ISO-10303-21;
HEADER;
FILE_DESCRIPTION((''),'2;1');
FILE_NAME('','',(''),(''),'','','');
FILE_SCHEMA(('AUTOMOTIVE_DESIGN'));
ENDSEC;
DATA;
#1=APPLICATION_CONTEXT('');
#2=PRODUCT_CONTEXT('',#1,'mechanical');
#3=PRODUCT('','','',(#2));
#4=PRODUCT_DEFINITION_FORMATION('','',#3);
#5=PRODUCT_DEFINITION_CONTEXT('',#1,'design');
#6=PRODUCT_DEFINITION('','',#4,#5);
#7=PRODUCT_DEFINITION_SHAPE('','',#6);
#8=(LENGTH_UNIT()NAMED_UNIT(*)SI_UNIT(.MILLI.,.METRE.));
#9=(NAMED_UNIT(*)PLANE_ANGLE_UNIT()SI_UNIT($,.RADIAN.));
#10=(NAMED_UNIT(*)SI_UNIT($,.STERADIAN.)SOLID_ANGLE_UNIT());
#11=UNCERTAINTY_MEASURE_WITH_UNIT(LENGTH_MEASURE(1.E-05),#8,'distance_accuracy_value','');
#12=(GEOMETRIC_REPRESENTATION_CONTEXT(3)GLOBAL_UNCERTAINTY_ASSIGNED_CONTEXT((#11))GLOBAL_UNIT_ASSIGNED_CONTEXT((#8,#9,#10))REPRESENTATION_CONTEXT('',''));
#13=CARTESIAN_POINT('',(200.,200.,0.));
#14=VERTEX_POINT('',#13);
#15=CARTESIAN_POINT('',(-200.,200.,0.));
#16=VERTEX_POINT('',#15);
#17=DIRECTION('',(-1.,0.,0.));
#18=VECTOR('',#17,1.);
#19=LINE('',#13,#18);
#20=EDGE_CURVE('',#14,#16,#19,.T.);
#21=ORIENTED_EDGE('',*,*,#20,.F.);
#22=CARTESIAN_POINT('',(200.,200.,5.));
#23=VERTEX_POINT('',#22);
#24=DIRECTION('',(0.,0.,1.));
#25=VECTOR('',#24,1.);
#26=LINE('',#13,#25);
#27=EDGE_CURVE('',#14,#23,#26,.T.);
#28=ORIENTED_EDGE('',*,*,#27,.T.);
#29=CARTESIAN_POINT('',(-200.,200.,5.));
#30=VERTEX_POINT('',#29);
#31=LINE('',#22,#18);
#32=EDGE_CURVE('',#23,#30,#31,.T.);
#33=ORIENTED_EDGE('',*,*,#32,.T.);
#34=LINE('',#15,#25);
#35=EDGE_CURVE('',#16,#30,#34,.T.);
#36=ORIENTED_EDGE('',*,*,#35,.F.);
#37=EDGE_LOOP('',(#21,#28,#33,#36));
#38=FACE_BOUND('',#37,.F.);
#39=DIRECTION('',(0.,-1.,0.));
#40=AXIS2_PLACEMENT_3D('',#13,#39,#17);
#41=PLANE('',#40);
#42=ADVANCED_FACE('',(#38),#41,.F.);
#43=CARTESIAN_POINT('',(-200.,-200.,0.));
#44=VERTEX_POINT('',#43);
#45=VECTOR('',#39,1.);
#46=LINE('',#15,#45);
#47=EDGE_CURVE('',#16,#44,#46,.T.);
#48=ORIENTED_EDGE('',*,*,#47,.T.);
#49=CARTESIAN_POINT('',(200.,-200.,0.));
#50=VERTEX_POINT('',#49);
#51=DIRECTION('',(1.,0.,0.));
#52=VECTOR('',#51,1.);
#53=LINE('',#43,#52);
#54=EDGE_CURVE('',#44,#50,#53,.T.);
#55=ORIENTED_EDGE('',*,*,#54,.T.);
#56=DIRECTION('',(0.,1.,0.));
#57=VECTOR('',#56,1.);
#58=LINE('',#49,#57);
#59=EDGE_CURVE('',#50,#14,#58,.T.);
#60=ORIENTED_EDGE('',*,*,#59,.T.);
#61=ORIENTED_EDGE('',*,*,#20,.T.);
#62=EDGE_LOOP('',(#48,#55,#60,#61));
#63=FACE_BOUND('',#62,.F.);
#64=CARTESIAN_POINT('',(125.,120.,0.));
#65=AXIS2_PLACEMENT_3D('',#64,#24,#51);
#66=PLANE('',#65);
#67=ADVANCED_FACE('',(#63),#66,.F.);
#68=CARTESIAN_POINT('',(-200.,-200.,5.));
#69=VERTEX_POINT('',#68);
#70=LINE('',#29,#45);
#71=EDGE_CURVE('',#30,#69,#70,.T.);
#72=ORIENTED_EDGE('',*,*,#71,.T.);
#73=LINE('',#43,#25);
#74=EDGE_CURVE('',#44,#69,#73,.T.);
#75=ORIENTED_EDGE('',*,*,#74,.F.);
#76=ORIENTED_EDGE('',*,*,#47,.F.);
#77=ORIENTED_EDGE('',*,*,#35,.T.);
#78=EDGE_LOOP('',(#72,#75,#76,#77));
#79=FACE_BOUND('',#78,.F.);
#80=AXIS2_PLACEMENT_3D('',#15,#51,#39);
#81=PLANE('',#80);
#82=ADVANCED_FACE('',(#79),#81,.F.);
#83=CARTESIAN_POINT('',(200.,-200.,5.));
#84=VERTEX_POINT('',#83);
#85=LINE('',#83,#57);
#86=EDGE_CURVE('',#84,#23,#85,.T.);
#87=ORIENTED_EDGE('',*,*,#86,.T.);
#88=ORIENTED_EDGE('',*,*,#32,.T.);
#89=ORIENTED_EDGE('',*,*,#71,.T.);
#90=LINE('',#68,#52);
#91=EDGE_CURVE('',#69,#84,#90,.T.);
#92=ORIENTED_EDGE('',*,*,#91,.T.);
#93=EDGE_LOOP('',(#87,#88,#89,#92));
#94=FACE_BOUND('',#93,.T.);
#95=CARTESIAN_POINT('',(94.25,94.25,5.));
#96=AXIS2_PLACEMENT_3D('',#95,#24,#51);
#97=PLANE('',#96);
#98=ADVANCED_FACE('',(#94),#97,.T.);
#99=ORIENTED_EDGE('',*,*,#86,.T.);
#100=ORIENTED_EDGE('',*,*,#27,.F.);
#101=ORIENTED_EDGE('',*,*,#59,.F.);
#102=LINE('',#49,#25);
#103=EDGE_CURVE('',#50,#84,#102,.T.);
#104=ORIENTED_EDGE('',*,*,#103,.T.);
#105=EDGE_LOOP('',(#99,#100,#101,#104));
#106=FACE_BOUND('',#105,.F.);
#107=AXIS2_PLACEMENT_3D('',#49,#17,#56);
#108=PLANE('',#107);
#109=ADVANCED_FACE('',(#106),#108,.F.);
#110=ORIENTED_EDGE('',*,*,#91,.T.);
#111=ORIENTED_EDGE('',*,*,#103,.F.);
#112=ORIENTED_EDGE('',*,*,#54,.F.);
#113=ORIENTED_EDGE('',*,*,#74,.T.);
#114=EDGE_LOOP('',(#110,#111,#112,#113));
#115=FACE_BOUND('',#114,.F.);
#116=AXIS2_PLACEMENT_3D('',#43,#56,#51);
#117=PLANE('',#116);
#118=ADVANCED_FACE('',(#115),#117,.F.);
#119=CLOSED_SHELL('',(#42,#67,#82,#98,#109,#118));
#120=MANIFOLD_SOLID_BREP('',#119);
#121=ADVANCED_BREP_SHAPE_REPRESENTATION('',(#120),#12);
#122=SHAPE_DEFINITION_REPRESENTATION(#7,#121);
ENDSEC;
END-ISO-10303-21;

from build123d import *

# Parameters (mm, degrees)
F0_W     = 260
F0_H     = 130
F1_DEPTH = 5
F0_W_2   = 130
F0_H_2   = 120
F2_DEPTH = 5


with BuildPart() as f1:
    # F0 (on Top) → F1 (new body)
    with BuildSketch(Plane.XY):
        Polygon((200, 200), (-200, 200), (-200, 190), (60, 190), (60, 180), (190, 180), (190, 60), (190, -200), (200, -200), align=None)
        Polygon((60, 190), (-200, 190), (-200, 60), (60, 60), (60, 180), align=None)
        with Locations((-70, -5)):
            Rectangle(F0_W, F0_H)
        Polygon((60, -200), (190, -200), (190, 60), (60, 60), (60, -70), align=None)
        with Locations((-70, -135)):
            Rectangle(F0_W, F0_H)
    extrude(amount=F1_DEPTH)

    # F0 (on Top) → F2 (join)
    with BuildSketch(Plane.XY):
        with Locations((125, 120)):
            Rectangle(F0_W_2, F0_H_2)
    extrude(amount=F2_DEPTH)


solid = f1.part
